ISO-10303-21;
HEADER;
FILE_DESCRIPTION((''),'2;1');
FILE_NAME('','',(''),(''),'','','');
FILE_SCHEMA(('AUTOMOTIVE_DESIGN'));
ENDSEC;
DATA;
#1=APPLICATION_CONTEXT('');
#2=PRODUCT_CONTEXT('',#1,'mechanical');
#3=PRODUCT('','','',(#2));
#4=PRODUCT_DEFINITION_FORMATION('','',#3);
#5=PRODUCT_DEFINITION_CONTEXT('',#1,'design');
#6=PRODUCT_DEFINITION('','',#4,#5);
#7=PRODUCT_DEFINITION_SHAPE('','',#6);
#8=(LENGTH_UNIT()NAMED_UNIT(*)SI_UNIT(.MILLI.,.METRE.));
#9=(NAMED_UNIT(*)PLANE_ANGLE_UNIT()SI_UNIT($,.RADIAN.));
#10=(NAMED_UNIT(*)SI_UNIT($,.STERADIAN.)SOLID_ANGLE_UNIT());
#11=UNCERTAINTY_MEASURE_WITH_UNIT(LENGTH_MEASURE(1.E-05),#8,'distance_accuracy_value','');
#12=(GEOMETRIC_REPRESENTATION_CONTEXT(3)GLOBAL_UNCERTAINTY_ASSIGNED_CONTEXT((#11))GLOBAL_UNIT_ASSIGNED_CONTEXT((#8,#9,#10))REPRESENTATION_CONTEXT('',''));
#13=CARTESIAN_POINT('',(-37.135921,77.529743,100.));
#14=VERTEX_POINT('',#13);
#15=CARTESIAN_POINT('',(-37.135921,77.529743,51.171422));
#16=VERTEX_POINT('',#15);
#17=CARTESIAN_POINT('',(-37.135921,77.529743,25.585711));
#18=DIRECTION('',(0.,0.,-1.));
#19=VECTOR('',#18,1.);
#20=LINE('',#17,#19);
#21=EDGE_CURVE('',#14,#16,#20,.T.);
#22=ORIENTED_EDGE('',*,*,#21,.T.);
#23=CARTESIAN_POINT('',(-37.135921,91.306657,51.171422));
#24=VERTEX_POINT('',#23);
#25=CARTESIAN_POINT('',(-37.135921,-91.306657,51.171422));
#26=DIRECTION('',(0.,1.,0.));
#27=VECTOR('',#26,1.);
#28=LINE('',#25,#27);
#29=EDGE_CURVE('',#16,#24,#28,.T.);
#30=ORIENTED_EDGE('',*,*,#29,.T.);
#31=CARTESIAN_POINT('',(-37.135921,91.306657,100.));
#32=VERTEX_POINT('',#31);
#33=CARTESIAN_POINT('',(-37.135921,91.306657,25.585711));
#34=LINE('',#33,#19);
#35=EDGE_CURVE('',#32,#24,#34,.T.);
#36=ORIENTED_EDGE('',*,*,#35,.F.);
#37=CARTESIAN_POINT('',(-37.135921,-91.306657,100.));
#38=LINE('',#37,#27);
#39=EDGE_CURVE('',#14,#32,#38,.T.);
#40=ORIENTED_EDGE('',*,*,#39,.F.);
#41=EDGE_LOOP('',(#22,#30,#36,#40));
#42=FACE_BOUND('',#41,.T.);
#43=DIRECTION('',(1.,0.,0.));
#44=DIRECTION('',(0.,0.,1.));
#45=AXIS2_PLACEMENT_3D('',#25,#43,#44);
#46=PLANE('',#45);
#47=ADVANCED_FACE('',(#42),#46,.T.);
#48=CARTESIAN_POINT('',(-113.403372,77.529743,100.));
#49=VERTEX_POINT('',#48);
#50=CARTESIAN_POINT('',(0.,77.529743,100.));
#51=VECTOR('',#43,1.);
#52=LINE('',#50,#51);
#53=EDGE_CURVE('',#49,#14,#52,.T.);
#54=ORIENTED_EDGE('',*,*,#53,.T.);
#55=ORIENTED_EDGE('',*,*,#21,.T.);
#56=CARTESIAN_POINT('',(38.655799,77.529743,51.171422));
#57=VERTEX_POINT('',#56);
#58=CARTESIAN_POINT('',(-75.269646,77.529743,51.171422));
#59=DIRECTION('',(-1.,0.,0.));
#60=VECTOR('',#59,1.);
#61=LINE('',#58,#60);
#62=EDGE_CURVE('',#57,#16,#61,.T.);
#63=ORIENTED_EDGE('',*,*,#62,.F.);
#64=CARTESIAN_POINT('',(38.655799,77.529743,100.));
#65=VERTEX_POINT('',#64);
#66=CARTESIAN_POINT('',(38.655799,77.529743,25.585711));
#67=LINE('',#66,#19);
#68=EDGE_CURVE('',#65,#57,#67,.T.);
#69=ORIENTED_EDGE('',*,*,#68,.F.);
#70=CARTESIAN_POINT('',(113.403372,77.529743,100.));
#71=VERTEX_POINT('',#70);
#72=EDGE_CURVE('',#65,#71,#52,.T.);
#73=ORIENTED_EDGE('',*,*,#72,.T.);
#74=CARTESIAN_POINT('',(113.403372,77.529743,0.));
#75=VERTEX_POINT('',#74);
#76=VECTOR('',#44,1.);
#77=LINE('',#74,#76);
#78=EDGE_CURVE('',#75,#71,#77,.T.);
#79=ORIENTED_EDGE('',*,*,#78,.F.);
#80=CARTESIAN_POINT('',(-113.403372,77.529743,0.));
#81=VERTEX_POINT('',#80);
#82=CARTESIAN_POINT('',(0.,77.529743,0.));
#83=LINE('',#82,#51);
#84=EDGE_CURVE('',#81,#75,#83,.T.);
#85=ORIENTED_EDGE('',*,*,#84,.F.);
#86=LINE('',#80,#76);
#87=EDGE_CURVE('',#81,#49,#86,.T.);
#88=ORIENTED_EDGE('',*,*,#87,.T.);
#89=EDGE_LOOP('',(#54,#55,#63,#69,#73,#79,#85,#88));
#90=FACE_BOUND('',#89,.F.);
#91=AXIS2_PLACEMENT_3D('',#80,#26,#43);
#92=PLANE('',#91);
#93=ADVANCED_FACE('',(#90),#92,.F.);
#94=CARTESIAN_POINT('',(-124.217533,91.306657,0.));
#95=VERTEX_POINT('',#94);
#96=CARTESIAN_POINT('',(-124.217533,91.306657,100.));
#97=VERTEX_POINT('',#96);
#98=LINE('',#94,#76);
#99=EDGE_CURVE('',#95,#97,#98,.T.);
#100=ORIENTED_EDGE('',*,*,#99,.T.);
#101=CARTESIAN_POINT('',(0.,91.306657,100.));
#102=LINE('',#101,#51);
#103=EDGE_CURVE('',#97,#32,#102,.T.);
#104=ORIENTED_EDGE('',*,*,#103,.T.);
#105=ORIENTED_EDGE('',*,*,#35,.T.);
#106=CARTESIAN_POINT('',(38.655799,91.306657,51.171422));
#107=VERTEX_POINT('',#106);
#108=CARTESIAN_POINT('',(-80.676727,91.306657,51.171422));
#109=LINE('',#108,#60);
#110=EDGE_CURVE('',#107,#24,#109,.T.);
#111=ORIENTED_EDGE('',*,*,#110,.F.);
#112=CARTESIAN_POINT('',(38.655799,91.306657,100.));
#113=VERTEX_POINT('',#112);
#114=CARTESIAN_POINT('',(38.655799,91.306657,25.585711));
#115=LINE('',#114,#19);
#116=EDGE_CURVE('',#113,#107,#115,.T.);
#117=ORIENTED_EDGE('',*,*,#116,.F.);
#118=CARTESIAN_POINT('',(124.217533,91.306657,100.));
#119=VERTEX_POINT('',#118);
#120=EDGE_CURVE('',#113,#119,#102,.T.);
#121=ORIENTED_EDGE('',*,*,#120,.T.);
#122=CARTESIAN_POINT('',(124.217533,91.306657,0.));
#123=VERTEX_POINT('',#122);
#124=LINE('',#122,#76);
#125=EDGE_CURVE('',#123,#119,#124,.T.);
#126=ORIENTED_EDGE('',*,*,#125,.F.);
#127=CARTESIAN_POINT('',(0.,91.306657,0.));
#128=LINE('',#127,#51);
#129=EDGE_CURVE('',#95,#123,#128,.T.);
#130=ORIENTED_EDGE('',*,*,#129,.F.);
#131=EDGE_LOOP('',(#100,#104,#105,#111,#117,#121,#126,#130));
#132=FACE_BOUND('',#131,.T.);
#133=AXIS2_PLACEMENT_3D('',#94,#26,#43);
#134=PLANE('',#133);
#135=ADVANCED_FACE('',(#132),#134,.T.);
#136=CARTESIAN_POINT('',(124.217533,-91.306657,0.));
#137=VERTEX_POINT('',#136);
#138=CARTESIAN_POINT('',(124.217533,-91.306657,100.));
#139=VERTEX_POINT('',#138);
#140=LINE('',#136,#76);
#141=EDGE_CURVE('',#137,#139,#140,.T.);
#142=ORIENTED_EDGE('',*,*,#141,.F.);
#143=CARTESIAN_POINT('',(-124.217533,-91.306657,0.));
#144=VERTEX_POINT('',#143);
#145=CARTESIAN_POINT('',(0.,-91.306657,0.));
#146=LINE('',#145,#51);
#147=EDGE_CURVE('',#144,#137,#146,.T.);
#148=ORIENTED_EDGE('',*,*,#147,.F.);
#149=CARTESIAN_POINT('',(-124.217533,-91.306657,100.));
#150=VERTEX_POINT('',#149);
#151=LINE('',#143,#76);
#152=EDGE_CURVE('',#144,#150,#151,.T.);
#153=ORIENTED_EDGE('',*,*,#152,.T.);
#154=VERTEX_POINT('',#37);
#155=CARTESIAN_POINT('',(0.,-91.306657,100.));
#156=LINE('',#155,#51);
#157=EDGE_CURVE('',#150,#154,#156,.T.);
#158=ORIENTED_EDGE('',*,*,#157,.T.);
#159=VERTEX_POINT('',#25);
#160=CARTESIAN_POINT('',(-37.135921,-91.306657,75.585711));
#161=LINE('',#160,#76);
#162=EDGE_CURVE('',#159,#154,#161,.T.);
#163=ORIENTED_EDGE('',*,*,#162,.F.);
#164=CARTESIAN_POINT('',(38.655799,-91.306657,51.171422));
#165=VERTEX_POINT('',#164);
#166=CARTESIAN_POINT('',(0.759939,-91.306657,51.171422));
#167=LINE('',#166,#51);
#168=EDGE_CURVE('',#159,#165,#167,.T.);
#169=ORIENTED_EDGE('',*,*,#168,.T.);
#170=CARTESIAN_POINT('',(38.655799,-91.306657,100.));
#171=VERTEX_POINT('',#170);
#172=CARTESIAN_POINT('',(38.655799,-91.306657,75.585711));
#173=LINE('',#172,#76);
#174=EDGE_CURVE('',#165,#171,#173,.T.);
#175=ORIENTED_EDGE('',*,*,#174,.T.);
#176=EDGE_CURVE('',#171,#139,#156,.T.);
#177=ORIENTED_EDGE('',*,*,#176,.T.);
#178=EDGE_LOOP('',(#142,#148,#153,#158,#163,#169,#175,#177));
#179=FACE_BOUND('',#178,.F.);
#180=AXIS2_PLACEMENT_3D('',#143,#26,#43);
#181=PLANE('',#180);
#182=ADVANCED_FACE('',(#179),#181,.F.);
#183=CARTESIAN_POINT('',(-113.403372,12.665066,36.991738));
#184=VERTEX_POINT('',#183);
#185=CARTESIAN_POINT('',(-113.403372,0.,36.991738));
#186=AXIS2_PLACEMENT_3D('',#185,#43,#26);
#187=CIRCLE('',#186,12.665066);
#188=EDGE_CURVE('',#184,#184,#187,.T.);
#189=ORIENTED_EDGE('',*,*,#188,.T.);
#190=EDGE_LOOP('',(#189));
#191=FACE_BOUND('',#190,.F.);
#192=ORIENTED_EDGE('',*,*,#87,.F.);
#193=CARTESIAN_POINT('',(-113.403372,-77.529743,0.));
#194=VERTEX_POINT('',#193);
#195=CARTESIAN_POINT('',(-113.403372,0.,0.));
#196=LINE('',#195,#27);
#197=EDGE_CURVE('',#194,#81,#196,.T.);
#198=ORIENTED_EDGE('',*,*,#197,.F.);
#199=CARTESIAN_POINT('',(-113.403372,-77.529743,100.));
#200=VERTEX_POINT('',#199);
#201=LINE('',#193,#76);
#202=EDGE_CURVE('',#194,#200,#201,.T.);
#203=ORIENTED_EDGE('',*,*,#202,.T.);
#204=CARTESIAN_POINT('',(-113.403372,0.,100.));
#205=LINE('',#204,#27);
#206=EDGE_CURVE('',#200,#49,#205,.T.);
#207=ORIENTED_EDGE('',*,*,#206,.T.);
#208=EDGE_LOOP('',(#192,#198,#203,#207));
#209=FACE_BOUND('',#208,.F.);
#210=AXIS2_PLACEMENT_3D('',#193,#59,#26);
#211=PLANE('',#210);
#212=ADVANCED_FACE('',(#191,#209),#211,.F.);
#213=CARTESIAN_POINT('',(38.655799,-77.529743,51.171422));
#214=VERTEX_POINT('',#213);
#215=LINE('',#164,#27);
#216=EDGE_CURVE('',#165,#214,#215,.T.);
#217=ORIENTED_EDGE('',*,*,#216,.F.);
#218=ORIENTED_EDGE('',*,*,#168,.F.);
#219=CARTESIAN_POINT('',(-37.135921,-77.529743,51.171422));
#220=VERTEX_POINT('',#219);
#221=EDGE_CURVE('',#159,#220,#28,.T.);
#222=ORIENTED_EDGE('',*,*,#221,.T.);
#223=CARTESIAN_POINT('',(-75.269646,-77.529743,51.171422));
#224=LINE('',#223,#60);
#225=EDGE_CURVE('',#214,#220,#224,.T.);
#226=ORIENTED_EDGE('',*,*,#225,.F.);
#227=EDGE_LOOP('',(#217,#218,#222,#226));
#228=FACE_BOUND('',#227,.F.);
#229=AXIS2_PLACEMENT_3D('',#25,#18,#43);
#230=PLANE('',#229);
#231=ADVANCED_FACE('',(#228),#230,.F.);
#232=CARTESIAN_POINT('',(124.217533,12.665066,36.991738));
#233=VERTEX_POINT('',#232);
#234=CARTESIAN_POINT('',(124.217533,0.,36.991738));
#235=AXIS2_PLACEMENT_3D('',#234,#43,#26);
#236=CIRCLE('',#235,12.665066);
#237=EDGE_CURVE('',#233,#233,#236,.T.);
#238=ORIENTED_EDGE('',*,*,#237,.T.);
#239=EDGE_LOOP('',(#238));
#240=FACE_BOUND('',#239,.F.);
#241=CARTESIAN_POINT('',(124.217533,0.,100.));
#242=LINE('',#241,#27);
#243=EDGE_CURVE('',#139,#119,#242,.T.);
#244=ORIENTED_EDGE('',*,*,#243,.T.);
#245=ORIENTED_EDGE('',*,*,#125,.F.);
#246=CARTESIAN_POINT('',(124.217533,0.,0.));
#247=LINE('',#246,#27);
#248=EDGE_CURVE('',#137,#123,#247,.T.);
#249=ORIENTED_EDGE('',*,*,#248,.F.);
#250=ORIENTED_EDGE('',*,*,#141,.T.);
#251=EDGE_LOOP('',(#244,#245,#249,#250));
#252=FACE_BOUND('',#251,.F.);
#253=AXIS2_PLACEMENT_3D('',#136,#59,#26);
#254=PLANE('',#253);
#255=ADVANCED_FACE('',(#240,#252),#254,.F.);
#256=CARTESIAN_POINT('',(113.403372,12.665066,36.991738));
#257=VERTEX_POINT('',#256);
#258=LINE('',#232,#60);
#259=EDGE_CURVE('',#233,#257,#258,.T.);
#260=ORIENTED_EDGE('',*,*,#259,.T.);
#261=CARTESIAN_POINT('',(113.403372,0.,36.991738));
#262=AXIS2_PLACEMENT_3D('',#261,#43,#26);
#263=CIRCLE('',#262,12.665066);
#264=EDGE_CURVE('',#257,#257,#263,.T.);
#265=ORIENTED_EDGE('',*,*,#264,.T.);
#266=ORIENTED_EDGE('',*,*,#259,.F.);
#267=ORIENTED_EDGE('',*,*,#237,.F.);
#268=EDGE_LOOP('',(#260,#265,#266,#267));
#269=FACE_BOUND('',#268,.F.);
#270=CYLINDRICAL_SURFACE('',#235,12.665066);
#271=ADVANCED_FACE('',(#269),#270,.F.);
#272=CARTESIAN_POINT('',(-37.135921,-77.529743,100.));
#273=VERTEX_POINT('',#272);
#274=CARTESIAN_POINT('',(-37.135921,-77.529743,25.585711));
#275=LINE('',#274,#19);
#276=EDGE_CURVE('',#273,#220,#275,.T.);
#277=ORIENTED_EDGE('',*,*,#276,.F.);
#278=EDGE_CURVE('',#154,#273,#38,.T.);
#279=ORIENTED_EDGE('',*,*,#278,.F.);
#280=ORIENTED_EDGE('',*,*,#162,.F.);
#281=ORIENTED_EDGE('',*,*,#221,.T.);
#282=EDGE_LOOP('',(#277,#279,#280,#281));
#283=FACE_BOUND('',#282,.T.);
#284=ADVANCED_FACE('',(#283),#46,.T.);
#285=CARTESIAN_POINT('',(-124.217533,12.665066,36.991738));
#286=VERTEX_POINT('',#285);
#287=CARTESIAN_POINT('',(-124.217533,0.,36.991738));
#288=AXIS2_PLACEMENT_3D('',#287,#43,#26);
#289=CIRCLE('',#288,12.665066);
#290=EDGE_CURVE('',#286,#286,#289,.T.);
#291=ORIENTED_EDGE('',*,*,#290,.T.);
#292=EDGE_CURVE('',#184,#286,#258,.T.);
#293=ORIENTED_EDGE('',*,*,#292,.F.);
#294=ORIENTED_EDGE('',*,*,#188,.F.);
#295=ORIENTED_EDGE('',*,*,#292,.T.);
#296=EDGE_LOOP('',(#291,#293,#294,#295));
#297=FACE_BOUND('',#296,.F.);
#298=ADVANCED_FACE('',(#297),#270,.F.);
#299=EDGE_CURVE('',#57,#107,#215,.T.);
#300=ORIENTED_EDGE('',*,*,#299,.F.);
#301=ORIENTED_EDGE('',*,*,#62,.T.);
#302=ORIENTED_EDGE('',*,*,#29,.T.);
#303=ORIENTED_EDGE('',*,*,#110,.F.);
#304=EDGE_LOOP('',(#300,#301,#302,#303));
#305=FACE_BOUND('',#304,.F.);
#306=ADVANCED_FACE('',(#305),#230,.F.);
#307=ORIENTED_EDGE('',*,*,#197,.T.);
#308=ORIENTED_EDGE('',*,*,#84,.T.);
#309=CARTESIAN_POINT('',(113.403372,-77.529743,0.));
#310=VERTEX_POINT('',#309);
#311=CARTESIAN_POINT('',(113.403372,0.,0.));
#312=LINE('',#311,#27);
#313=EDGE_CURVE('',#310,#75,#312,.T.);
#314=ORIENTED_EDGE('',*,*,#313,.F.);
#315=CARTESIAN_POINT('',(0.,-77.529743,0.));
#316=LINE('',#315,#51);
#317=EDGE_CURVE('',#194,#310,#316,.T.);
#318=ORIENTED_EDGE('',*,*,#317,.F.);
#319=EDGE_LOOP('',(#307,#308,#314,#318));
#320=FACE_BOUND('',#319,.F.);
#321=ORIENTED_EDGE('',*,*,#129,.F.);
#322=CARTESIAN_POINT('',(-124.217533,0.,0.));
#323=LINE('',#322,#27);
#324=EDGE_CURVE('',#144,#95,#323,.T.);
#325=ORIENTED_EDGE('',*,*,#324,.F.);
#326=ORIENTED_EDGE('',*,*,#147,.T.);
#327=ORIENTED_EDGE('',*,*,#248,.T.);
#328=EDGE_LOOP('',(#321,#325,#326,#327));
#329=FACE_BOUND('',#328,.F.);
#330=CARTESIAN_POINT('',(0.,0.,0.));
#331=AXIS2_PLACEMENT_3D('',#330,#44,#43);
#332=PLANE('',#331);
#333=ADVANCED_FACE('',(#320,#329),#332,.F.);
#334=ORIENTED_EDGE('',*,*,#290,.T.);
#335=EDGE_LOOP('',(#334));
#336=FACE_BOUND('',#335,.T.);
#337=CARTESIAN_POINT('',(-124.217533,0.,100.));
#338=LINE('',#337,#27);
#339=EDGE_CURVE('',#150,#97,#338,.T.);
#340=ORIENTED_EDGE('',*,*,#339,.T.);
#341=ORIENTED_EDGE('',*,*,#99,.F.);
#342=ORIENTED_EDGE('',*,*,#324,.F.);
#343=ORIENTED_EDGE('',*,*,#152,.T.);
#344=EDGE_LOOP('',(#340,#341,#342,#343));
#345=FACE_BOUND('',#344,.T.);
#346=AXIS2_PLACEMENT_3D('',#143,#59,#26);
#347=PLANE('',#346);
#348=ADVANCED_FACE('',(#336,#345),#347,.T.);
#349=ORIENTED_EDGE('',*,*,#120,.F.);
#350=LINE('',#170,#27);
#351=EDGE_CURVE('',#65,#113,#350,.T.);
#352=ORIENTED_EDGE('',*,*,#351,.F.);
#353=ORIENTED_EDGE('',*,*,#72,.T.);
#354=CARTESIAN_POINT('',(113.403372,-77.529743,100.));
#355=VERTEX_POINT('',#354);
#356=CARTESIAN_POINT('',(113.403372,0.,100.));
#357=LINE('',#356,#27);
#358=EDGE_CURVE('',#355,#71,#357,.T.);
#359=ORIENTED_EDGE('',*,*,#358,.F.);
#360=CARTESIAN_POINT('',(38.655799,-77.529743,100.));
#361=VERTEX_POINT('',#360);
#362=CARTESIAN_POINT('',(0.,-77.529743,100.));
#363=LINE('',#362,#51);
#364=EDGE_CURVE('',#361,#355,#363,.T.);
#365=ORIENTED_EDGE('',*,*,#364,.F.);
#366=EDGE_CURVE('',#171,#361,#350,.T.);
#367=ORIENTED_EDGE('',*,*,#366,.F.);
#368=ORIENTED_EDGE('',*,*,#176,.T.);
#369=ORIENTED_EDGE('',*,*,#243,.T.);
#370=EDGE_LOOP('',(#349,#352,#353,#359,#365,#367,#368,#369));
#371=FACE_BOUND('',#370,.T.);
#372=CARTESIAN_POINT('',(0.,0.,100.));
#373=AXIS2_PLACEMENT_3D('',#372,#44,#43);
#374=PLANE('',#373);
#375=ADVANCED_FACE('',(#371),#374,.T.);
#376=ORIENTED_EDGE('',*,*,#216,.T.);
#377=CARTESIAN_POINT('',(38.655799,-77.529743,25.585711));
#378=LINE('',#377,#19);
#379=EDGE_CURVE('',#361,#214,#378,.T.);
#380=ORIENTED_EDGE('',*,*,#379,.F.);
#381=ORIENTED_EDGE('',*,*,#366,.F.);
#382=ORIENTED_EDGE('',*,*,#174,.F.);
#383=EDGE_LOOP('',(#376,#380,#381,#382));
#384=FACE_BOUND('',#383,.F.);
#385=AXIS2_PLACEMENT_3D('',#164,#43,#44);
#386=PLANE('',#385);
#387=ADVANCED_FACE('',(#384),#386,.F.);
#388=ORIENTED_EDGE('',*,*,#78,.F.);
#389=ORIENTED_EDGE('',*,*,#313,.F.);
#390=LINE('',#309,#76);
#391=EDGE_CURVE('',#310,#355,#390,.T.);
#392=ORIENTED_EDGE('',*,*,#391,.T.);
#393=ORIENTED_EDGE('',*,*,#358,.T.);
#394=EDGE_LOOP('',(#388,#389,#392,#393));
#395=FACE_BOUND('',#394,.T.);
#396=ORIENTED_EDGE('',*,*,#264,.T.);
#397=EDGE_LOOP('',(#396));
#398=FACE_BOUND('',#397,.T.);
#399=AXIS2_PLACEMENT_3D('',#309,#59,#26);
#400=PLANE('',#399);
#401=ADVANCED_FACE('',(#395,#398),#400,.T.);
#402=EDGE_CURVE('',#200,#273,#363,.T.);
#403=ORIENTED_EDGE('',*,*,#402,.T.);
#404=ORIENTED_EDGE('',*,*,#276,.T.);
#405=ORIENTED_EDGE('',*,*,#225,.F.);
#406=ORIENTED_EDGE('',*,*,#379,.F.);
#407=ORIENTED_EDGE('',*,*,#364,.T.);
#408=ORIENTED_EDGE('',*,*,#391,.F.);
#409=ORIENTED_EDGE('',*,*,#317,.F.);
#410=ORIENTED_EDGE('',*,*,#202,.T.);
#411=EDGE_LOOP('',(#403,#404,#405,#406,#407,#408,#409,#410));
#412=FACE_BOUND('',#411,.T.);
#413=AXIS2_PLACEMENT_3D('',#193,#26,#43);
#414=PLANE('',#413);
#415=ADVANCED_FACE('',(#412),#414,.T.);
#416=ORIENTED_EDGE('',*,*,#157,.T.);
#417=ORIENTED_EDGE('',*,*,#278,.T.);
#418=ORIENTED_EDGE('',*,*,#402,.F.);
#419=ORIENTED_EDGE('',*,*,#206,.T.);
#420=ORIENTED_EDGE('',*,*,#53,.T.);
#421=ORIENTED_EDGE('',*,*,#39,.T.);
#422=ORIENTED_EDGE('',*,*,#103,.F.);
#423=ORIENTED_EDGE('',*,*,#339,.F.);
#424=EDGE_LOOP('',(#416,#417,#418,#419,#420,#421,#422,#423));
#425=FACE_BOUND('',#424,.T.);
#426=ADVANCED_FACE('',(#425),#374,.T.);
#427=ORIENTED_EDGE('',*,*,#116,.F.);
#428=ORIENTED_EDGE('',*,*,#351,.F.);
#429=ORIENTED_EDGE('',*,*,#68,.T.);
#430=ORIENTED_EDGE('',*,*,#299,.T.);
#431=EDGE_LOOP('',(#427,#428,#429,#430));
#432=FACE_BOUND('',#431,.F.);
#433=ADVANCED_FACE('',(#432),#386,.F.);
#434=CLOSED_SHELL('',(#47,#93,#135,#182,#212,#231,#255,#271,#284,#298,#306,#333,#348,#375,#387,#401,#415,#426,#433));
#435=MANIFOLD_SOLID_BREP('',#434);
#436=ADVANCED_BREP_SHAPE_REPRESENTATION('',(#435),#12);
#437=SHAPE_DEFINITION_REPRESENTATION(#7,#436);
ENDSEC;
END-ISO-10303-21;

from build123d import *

# Parameters (mm, degrees)
F0_W     = 248.435066
F0_H     = 182.613314
F0_W_2   = 226.806744
F0_H_2   = 155.059486
F1_DEPTH = 100
F2_W     = 75.79172
F2_H     = 48.828578
F3_DEPTH = 182.614313
F4_R     = 12.665066
F5_DEPTH = 248.436065


with BuildPart() as f1:
    # F0 (on Top) → F1 (new body)
    with BuildSketch(Plane.XY):
        Rectangle(F0_W, F0_H)
        Rectangle(F0_W_2, F0_H_2, mode=Mode.SUBTRACT)
    extrude(amount=F1_DEPTH)

    # F2 (on face) → F3 (cut, through all)
    with BuildSketch(Plane.XZ.offset(91.306657)):
        with Locations((0.759939, 75.585711)):
            Rectangle(F2_W, F2_H)
    extrude(amount=-F3_DEPTH, mode=Mode.SUBTRACT)

    # F4 (on face) → F5 (cut, through all)
    with BuildSketch(Plane.YZ.offset(124.217533)):
        with Locations((0, 36.991738)):
            Circle(F4_R)
    extrude(amount=-F5_DEPTH, mode=Mode.SUBTRACT)


solid = f1.part
